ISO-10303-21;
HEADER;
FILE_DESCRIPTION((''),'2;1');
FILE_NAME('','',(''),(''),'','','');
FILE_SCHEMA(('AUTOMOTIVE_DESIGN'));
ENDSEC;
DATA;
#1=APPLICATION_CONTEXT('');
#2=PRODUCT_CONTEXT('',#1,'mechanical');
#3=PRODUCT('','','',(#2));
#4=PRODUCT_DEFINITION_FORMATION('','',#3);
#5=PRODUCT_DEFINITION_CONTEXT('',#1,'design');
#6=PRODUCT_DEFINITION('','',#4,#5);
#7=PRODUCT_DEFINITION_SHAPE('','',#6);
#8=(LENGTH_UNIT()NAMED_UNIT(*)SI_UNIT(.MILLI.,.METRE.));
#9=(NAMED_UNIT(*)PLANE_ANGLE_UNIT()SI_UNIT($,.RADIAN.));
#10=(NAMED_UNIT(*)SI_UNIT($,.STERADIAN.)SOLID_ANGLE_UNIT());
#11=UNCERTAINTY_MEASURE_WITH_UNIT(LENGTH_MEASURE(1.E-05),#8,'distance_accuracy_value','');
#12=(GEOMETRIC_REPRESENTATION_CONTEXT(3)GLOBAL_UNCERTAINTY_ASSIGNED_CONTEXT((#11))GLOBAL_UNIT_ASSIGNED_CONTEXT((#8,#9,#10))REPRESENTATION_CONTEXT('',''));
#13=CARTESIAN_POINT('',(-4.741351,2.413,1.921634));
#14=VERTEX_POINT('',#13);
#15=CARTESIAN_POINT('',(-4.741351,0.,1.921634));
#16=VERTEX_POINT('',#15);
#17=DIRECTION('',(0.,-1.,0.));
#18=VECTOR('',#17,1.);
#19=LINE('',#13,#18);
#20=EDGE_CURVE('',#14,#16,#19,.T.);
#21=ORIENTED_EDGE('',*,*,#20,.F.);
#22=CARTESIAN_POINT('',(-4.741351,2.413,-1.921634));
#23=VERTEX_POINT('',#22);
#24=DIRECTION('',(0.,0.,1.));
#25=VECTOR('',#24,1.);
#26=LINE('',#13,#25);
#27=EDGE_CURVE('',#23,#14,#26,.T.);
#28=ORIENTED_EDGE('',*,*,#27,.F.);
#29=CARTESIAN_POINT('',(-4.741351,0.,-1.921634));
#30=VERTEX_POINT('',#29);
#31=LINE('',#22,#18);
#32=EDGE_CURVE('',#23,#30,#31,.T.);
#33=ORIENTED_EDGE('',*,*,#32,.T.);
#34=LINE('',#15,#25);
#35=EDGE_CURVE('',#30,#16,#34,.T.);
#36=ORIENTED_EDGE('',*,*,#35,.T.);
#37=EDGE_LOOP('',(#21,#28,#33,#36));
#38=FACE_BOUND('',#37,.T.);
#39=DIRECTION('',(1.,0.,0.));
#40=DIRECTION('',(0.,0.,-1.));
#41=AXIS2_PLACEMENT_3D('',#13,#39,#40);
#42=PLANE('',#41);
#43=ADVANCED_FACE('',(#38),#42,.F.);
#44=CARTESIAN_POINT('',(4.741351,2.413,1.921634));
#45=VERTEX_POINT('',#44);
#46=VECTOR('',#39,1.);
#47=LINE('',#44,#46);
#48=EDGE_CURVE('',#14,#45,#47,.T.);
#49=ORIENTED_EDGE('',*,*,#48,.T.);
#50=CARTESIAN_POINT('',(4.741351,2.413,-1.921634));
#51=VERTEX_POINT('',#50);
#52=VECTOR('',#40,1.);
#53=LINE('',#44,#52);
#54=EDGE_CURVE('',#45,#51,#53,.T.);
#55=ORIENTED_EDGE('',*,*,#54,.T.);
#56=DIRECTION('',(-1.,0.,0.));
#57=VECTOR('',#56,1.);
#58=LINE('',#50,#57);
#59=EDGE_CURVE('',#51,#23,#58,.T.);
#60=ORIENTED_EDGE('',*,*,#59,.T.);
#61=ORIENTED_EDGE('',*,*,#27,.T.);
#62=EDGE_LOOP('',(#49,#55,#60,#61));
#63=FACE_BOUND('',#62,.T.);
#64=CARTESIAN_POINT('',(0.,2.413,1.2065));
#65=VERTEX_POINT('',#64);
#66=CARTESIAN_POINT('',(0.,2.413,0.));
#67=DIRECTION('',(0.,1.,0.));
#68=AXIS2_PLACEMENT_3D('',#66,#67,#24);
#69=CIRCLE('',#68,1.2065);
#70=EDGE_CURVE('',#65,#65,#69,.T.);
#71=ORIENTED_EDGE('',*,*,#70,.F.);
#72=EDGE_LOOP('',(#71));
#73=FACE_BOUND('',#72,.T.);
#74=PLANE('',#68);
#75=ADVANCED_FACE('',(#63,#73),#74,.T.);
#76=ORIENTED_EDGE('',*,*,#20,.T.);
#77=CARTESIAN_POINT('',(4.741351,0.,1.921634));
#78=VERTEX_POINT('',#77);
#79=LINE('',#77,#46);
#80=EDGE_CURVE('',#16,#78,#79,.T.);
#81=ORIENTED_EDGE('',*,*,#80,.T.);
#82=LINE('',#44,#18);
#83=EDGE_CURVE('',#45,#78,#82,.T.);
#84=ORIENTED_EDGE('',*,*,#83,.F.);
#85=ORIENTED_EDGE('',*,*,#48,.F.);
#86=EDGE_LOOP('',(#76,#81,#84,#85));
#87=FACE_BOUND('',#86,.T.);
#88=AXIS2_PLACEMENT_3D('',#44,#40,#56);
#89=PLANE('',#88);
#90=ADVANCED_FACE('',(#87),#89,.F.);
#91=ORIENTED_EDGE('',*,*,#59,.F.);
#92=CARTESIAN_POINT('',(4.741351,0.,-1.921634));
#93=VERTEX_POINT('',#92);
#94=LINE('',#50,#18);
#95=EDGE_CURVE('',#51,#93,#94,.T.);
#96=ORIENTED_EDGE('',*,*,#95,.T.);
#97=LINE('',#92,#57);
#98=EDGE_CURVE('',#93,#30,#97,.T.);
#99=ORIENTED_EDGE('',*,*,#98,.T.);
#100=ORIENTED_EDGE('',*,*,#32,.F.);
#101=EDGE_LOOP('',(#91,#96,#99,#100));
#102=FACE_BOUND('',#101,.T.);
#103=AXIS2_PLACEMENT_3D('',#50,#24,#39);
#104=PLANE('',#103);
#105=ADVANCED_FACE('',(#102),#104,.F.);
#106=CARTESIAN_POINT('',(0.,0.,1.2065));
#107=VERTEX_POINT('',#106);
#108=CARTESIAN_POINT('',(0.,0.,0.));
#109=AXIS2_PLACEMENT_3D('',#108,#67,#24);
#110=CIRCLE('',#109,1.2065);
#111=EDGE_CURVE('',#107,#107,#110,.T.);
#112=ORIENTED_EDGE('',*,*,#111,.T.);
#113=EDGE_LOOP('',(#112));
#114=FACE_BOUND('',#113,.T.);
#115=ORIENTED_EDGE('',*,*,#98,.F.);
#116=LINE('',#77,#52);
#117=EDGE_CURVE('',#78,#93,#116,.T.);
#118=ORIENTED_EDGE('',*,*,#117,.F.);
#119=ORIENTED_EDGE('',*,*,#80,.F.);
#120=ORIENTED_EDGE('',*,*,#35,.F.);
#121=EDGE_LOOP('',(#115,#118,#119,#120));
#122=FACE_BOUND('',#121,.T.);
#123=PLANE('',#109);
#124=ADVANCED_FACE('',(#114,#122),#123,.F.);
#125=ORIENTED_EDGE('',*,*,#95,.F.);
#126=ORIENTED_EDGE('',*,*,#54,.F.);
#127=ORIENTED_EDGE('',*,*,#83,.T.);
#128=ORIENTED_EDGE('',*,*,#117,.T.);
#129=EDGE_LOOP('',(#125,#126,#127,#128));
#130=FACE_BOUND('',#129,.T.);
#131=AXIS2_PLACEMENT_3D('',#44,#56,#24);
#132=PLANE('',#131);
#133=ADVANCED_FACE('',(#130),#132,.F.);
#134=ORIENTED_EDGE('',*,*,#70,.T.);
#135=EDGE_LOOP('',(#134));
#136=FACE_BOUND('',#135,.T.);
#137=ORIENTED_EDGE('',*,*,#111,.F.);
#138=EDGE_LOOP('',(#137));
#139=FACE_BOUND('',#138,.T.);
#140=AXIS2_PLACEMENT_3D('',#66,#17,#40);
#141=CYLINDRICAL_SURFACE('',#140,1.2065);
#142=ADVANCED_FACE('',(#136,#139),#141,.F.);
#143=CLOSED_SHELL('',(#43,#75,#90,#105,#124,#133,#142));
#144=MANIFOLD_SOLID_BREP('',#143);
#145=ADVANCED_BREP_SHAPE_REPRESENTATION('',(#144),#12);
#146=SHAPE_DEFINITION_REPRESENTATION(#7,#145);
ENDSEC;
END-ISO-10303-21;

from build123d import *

# Parameters (mm, degrees)
SKETCH1_W           = 9.482701824
SKETCH1_H           = 3.843267732
SKETCH1_R           = 1.2065
BOSS_EXTRUDE1_DEPTH = 2.413


with BuildPart() as part:
    # Sketch1 → Boss-Extrude1 (new body)
    with BuildSketch(Plane(origin=(0, 0, 0), x_dir=(1, 0, 0), z_dir=(0, 1, 0))):
        Rectangle(SKETCH1_W, SKETCH1_H)
        with Locations(Location((0, 0, 0), (0, 0, 270))):
            Circle(SKETCH1_R, mode=Mode.SUBTRACT)
    extrude(amount=BOSS_EXTRUDE1_DEPTH)


solid = part.part
